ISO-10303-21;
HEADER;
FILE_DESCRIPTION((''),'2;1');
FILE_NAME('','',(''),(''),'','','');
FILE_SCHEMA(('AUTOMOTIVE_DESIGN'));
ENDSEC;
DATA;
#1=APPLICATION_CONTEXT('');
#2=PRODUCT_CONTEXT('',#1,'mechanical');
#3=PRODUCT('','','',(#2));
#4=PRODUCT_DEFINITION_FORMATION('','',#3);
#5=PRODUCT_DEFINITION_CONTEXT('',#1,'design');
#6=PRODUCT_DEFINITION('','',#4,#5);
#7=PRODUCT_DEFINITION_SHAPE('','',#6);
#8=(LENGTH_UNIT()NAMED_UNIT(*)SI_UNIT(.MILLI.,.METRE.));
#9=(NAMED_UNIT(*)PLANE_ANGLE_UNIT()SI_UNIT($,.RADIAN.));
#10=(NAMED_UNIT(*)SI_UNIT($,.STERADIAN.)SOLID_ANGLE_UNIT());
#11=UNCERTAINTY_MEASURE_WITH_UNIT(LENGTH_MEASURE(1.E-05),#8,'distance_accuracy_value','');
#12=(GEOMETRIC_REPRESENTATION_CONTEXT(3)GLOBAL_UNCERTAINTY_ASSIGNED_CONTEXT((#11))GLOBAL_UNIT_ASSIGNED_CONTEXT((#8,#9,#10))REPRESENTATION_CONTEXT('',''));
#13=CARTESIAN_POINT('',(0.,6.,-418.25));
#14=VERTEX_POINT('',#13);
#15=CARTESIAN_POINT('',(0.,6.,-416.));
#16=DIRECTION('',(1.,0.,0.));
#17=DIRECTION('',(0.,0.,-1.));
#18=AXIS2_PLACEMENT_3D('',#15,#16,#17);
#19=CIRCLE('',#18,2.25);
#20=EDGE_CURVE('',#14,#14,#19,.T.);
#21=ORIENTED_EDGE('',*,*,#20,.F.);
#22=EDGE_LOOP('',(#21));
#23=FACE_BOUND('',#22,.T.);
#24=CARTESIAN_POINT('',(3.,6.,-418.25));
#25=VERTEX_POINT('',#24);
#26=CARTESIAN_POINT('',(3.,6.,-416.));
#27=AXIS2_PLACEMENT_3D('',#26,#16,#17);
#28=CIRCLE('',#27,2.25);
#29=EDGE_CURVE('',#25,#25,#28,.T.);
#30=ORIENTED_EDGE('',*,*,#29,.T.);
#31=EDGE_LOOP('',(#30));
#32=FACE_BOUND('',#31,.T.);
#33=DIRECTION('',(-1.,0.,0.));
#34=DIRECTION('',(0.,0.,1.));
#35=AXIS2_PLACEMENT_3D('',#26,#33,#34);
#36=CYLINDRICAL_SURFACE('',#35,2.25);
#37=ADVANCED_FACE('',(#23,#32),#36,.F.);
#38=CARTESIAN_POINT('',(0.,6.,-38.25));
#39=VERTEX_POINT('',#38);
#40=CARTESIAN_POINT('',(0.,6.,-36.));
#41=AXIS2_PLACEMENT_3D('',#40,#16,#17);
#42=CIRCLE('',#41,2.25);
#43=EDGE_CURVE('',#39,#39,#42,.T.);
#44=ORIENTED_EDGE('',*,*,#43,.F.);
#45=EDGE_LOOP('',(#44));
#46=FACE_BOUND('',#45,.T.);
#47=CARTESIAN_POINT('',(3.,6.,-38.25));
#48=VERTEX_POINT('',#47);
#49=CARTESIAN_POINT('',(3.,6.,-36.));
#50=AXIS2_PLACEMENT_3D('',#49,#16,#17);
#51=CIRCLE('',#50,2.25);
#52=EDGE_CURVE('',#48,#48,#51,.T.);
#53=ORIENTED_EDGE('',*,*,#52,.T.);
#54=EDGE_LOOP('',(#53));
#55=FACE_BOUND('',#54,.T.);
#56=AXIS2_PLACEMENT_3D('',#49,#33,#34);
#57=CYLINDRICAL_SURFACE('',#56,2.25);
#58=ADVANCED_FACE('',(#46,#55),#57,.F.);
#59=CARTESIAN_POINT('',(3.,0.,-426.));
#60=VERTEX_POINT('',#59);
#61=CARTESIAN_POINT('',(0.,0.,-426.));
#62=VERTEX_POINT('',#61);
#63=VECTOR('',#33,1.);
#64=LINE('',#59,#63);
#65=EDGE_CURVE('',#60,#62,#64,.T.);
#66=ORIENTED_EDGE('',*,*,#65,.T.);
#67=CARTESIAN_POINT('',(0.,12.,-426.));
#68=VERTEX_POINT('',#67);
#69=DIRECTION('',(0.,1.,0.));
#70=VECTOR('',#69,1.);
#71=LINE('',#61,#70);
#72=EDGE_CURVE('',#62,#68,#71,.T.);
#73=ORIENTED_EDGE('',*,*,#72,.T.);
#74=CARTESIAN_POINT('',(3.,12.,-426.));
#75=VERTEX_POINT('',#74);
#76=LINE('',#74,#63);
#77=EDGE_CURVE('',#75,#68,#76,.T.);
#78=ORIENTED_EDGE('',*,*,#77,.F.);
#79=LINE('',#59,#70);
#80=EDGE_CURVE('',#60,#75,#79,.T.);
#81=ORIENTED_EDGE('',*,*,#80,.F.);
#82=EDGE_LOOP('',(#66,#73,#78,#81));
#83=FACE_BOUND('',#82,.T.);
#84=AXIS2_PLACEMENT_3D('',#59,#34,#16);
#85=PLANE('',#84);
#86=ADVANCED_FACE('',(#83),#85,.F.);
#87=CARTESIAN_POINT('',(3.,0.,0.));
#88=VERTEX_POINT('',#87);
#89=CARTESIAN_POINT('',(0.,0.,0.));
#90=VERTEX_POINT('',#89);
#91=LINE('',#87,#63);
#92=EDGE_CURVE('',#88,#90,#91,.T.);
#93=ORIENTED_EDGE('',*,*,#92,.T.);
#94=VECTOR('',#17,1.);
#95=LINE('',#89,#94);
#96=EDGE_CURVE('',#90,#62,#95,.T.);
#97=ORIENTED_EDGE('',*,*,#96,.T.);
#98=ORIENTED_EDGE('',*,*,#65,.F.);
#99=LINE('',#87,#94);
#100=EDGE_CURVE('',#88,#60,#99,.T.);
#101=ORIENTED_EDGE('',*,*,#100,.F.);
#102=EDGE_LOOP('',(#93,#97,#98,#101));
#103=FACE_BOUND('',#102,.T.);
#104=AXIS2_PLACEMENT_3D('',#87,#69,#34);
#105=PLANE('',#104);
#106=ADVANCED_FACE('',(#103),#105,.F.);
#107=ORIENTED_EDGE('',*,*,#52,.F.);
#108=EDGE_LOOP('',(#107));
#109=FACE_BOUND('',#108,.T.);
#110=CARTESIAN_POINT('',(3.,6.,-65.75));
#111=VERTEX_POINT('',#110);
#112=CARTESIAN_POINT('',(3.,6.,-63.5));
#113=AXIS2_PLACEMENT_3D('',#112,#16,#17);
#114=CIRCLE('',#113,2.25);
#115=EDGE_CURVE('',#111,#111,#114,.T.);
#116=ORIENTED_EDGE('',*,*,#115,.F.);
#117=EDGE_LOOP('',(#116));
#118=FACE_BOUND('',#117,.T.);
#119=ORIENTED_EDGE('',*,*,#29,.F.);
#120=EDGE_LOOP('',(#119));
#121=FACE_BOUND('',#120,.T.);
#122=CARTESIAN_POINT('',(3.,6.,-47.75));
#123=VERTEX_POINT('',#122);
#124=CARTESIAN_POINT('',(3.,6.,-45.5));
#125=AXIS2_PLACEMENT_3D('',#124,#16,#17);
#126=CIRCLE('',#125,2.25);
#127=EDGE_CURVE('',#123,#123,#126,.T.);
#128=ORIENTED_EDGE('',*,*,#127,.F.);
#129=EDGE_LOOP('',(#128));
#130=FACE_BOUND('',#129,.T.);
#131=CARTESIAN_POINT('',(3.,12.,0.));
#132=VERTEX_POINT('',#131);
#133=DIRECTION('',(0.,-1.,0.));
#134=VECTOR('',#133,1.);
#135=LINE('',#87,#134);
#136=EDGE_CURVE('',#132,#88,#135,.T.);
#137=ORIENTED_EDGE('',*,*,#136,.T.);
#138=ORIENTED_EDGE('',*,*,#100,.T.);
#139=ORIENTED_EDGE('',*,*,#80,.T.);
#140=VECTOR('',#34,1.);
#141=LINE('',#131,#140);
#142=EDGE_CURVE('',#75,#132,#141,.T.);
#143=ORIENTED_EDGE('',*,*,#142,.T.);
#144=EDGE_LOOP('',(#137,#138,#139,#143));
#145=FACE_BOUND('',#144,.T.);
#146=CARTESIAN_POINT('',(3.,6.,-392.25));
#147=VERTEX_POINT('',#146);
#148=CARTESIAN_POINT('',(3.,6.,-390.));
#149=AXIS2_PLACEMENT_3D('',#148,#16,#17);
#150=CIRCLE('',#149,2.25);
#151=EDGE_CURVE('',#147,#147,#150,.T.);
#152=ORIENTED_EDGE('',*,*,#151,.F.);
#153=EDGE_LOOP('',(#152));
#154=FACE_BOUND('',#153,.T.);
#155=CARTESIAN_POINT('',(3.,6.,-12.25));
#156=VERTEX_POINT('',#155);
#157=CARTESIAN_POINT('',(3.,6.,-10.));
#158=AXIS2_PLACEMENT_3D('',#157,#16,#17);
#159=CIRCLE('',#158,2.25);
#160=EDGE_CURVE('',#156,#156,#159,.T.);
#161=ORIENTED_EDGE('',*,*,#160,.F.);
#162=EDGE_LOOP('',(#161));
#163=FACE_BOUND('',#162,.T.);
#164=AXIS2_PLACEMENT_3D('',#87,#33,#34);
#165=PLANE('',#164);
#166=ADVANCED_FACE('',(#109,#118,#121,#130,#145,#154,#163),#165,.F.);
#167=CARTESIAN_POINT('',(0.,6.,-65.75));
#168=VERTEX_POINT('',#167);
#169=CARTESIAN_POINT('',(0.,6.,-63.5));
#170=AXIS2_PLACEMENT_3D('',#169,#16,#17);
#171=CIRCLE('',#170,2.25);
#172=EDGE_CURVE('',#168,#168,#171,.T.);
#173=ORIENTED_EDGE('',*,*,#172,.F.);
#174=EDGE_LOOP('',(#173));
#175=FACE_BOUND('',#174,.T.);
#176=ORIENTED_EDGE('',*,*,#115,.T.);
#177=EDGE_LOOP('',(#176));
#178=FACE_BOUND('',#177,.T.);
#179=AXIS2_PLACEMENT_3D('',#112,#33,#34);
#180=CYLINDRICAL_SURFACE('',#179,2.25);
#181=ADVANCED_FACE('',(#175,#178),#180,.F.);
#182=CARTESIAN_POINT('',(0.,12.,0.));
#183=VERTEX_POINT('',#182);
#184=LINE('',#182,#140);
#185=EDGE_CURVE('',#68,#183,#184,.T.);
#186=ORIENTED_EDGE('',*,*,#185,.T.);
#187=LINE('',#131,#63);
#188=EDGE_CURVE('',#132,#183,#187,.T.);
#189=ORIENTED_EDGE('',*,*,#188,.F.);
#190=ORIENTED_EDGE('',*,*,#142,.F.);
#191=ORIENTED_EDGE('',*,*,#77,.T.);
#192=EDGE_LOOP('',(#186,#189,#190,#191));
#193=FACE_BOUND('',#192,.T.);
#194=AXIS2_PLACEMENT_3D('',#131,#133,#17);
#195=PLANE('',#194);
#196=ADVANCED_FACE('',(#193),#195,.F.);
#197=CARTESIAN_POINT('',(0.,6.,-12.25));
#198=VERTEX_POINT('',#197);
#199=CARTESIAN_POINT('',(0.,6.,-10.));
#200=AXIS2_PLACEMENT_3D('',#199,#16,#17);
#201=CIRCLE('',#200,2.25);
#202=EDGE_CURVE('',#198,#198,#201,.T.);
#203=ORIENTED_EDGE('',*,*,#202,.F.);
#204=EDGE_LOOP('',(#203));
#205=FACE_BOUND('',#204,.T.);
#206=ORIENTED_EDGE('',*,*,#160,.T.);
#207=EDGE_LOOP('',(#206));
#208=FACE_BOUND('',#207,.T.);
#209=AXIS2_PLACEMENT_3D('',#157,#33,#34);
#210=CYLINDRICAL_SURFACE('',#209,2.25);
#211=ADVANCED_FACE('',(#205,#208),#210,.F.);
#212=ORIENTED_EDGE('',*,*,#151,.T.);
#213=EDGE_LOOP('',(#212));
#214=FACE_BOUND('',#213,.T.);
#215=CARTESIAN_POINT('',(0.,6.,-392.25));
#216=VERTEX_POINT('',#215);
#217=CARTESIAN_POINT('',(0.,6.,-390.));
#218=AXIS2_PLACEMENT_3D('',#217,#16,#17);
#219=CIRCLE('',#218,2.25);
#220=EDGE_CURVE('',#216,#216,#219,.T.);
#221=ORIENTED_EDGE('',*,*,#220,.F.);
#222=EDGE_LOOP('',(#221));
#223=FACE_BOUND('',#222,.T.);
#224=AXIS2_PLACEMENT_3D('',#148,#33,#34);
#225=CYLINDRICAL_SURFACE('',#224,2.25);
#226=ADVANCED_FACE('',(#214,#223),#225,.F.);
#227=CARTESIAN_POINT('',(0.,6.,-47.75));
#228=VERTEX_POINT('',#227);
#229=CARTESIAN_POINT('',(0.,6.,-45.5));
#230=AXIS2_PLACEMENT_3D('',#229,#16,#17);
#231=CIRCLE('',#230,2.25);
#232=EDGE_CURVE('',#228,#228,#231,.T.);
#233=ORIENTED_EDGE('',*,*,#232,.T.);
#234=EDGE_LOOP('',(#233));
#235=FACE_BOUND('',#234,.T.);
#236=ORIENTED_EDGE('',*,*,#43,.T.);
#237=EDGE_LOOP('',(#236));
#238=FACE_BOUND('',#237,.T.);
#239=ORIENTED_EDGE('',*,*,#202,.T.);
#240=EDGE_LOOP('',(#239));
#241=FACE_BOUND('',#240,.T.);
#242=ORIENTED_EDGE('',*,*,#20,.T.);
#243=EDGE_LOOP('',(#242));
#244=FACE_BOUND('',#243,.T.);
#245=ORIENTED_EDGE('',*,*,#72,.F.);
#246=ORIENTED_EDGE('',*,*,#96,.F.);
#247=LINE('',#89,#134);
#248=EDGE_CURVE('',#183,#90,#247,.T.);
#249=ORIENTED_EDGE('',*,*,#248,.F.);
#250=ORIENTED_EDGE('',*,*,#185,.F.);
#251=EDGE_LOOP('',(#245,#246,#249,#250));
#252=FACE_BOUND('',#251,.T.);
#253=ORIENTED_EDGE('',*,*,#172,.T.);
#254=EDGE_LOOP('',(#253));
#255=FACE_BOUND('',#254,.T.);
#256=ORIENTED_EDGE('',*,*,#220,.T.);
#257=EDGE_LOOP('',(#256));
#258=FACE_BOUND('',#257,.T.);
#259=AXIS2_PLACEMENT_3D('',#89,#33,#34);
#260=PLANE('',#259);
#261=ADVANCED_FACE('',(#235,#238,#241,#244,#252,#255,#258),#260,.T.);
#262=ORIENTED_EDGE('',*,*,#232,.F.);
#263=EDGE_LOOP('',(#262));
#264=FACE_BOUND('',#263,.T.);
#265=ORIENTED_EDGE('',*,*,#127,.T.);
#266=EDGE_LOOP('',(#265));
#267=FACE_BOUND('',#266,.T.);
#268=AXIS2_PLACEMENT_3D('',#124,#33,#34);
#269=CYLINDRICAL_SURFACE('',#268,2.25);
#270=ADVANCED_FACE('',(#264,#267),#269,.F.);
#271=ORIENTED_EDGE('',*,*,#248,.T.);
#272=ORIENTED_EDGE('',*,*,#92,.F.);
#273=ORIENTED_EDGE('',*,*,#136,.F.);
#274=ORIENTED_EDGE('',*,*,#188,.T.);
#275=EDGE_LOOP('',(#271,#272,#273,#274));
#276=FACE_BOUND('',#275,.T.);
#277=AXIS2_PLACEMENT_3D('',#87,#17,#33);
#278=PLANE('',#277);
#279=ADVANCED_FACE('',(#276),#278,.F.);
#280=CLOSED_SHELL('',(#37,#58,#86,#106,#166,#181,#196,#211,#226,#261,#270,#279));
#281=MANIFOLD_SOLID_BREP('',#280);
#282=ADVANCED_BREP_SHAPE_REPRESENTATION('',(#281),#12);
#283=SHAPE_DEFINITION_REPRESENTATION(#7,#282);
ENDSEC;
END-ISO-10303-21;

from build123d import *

# Parameters (mm, degrees)
SKETCH_1_W      = 426
SKETCH_1_H      = 12
SKETCH_1_R      = 2.25
EXTRUDE_1_DEPTH = 3


with BuildPart() as part:
    # 草图1 → 凸台-拉伸1 (new body)
    with BuildSketch(Plane(origin=(0, 0, 0), x_dir=(0, 0, -1), z_dir=(1, 0, 0))):
        with Locations((213, 6)):
            Rectangle(SKETCH_1_W, SKETCH_1_H)
        with Locations((10, 6)):
            Circle(SKETCH_1_R, mode=Mode.SUBTRACT)
        with Locations((416, 6)):
            Circle(SKETCH_1_R, mode=Mode.SUBTRACT)
        with Locations((36, 6)):
            Circle(SKETCH_1_R, mode=Mode.SUBTRACT)
        with Locations((390, 6)):
            Circle(SKETCH_1_R, mode=Mode.SUBTRACT)
        with Locations((45.5, 6)):
            Circle(SKETCH_1_R, mode=Mode.SUBTRACT)
        with Locations((63.5, 6)):
            Circle(SKETCH_1_R, mode=Mode.SUBTRACT)
    extrude(amount=EXTRUDE_1_DEPTH)


solid = part.part
